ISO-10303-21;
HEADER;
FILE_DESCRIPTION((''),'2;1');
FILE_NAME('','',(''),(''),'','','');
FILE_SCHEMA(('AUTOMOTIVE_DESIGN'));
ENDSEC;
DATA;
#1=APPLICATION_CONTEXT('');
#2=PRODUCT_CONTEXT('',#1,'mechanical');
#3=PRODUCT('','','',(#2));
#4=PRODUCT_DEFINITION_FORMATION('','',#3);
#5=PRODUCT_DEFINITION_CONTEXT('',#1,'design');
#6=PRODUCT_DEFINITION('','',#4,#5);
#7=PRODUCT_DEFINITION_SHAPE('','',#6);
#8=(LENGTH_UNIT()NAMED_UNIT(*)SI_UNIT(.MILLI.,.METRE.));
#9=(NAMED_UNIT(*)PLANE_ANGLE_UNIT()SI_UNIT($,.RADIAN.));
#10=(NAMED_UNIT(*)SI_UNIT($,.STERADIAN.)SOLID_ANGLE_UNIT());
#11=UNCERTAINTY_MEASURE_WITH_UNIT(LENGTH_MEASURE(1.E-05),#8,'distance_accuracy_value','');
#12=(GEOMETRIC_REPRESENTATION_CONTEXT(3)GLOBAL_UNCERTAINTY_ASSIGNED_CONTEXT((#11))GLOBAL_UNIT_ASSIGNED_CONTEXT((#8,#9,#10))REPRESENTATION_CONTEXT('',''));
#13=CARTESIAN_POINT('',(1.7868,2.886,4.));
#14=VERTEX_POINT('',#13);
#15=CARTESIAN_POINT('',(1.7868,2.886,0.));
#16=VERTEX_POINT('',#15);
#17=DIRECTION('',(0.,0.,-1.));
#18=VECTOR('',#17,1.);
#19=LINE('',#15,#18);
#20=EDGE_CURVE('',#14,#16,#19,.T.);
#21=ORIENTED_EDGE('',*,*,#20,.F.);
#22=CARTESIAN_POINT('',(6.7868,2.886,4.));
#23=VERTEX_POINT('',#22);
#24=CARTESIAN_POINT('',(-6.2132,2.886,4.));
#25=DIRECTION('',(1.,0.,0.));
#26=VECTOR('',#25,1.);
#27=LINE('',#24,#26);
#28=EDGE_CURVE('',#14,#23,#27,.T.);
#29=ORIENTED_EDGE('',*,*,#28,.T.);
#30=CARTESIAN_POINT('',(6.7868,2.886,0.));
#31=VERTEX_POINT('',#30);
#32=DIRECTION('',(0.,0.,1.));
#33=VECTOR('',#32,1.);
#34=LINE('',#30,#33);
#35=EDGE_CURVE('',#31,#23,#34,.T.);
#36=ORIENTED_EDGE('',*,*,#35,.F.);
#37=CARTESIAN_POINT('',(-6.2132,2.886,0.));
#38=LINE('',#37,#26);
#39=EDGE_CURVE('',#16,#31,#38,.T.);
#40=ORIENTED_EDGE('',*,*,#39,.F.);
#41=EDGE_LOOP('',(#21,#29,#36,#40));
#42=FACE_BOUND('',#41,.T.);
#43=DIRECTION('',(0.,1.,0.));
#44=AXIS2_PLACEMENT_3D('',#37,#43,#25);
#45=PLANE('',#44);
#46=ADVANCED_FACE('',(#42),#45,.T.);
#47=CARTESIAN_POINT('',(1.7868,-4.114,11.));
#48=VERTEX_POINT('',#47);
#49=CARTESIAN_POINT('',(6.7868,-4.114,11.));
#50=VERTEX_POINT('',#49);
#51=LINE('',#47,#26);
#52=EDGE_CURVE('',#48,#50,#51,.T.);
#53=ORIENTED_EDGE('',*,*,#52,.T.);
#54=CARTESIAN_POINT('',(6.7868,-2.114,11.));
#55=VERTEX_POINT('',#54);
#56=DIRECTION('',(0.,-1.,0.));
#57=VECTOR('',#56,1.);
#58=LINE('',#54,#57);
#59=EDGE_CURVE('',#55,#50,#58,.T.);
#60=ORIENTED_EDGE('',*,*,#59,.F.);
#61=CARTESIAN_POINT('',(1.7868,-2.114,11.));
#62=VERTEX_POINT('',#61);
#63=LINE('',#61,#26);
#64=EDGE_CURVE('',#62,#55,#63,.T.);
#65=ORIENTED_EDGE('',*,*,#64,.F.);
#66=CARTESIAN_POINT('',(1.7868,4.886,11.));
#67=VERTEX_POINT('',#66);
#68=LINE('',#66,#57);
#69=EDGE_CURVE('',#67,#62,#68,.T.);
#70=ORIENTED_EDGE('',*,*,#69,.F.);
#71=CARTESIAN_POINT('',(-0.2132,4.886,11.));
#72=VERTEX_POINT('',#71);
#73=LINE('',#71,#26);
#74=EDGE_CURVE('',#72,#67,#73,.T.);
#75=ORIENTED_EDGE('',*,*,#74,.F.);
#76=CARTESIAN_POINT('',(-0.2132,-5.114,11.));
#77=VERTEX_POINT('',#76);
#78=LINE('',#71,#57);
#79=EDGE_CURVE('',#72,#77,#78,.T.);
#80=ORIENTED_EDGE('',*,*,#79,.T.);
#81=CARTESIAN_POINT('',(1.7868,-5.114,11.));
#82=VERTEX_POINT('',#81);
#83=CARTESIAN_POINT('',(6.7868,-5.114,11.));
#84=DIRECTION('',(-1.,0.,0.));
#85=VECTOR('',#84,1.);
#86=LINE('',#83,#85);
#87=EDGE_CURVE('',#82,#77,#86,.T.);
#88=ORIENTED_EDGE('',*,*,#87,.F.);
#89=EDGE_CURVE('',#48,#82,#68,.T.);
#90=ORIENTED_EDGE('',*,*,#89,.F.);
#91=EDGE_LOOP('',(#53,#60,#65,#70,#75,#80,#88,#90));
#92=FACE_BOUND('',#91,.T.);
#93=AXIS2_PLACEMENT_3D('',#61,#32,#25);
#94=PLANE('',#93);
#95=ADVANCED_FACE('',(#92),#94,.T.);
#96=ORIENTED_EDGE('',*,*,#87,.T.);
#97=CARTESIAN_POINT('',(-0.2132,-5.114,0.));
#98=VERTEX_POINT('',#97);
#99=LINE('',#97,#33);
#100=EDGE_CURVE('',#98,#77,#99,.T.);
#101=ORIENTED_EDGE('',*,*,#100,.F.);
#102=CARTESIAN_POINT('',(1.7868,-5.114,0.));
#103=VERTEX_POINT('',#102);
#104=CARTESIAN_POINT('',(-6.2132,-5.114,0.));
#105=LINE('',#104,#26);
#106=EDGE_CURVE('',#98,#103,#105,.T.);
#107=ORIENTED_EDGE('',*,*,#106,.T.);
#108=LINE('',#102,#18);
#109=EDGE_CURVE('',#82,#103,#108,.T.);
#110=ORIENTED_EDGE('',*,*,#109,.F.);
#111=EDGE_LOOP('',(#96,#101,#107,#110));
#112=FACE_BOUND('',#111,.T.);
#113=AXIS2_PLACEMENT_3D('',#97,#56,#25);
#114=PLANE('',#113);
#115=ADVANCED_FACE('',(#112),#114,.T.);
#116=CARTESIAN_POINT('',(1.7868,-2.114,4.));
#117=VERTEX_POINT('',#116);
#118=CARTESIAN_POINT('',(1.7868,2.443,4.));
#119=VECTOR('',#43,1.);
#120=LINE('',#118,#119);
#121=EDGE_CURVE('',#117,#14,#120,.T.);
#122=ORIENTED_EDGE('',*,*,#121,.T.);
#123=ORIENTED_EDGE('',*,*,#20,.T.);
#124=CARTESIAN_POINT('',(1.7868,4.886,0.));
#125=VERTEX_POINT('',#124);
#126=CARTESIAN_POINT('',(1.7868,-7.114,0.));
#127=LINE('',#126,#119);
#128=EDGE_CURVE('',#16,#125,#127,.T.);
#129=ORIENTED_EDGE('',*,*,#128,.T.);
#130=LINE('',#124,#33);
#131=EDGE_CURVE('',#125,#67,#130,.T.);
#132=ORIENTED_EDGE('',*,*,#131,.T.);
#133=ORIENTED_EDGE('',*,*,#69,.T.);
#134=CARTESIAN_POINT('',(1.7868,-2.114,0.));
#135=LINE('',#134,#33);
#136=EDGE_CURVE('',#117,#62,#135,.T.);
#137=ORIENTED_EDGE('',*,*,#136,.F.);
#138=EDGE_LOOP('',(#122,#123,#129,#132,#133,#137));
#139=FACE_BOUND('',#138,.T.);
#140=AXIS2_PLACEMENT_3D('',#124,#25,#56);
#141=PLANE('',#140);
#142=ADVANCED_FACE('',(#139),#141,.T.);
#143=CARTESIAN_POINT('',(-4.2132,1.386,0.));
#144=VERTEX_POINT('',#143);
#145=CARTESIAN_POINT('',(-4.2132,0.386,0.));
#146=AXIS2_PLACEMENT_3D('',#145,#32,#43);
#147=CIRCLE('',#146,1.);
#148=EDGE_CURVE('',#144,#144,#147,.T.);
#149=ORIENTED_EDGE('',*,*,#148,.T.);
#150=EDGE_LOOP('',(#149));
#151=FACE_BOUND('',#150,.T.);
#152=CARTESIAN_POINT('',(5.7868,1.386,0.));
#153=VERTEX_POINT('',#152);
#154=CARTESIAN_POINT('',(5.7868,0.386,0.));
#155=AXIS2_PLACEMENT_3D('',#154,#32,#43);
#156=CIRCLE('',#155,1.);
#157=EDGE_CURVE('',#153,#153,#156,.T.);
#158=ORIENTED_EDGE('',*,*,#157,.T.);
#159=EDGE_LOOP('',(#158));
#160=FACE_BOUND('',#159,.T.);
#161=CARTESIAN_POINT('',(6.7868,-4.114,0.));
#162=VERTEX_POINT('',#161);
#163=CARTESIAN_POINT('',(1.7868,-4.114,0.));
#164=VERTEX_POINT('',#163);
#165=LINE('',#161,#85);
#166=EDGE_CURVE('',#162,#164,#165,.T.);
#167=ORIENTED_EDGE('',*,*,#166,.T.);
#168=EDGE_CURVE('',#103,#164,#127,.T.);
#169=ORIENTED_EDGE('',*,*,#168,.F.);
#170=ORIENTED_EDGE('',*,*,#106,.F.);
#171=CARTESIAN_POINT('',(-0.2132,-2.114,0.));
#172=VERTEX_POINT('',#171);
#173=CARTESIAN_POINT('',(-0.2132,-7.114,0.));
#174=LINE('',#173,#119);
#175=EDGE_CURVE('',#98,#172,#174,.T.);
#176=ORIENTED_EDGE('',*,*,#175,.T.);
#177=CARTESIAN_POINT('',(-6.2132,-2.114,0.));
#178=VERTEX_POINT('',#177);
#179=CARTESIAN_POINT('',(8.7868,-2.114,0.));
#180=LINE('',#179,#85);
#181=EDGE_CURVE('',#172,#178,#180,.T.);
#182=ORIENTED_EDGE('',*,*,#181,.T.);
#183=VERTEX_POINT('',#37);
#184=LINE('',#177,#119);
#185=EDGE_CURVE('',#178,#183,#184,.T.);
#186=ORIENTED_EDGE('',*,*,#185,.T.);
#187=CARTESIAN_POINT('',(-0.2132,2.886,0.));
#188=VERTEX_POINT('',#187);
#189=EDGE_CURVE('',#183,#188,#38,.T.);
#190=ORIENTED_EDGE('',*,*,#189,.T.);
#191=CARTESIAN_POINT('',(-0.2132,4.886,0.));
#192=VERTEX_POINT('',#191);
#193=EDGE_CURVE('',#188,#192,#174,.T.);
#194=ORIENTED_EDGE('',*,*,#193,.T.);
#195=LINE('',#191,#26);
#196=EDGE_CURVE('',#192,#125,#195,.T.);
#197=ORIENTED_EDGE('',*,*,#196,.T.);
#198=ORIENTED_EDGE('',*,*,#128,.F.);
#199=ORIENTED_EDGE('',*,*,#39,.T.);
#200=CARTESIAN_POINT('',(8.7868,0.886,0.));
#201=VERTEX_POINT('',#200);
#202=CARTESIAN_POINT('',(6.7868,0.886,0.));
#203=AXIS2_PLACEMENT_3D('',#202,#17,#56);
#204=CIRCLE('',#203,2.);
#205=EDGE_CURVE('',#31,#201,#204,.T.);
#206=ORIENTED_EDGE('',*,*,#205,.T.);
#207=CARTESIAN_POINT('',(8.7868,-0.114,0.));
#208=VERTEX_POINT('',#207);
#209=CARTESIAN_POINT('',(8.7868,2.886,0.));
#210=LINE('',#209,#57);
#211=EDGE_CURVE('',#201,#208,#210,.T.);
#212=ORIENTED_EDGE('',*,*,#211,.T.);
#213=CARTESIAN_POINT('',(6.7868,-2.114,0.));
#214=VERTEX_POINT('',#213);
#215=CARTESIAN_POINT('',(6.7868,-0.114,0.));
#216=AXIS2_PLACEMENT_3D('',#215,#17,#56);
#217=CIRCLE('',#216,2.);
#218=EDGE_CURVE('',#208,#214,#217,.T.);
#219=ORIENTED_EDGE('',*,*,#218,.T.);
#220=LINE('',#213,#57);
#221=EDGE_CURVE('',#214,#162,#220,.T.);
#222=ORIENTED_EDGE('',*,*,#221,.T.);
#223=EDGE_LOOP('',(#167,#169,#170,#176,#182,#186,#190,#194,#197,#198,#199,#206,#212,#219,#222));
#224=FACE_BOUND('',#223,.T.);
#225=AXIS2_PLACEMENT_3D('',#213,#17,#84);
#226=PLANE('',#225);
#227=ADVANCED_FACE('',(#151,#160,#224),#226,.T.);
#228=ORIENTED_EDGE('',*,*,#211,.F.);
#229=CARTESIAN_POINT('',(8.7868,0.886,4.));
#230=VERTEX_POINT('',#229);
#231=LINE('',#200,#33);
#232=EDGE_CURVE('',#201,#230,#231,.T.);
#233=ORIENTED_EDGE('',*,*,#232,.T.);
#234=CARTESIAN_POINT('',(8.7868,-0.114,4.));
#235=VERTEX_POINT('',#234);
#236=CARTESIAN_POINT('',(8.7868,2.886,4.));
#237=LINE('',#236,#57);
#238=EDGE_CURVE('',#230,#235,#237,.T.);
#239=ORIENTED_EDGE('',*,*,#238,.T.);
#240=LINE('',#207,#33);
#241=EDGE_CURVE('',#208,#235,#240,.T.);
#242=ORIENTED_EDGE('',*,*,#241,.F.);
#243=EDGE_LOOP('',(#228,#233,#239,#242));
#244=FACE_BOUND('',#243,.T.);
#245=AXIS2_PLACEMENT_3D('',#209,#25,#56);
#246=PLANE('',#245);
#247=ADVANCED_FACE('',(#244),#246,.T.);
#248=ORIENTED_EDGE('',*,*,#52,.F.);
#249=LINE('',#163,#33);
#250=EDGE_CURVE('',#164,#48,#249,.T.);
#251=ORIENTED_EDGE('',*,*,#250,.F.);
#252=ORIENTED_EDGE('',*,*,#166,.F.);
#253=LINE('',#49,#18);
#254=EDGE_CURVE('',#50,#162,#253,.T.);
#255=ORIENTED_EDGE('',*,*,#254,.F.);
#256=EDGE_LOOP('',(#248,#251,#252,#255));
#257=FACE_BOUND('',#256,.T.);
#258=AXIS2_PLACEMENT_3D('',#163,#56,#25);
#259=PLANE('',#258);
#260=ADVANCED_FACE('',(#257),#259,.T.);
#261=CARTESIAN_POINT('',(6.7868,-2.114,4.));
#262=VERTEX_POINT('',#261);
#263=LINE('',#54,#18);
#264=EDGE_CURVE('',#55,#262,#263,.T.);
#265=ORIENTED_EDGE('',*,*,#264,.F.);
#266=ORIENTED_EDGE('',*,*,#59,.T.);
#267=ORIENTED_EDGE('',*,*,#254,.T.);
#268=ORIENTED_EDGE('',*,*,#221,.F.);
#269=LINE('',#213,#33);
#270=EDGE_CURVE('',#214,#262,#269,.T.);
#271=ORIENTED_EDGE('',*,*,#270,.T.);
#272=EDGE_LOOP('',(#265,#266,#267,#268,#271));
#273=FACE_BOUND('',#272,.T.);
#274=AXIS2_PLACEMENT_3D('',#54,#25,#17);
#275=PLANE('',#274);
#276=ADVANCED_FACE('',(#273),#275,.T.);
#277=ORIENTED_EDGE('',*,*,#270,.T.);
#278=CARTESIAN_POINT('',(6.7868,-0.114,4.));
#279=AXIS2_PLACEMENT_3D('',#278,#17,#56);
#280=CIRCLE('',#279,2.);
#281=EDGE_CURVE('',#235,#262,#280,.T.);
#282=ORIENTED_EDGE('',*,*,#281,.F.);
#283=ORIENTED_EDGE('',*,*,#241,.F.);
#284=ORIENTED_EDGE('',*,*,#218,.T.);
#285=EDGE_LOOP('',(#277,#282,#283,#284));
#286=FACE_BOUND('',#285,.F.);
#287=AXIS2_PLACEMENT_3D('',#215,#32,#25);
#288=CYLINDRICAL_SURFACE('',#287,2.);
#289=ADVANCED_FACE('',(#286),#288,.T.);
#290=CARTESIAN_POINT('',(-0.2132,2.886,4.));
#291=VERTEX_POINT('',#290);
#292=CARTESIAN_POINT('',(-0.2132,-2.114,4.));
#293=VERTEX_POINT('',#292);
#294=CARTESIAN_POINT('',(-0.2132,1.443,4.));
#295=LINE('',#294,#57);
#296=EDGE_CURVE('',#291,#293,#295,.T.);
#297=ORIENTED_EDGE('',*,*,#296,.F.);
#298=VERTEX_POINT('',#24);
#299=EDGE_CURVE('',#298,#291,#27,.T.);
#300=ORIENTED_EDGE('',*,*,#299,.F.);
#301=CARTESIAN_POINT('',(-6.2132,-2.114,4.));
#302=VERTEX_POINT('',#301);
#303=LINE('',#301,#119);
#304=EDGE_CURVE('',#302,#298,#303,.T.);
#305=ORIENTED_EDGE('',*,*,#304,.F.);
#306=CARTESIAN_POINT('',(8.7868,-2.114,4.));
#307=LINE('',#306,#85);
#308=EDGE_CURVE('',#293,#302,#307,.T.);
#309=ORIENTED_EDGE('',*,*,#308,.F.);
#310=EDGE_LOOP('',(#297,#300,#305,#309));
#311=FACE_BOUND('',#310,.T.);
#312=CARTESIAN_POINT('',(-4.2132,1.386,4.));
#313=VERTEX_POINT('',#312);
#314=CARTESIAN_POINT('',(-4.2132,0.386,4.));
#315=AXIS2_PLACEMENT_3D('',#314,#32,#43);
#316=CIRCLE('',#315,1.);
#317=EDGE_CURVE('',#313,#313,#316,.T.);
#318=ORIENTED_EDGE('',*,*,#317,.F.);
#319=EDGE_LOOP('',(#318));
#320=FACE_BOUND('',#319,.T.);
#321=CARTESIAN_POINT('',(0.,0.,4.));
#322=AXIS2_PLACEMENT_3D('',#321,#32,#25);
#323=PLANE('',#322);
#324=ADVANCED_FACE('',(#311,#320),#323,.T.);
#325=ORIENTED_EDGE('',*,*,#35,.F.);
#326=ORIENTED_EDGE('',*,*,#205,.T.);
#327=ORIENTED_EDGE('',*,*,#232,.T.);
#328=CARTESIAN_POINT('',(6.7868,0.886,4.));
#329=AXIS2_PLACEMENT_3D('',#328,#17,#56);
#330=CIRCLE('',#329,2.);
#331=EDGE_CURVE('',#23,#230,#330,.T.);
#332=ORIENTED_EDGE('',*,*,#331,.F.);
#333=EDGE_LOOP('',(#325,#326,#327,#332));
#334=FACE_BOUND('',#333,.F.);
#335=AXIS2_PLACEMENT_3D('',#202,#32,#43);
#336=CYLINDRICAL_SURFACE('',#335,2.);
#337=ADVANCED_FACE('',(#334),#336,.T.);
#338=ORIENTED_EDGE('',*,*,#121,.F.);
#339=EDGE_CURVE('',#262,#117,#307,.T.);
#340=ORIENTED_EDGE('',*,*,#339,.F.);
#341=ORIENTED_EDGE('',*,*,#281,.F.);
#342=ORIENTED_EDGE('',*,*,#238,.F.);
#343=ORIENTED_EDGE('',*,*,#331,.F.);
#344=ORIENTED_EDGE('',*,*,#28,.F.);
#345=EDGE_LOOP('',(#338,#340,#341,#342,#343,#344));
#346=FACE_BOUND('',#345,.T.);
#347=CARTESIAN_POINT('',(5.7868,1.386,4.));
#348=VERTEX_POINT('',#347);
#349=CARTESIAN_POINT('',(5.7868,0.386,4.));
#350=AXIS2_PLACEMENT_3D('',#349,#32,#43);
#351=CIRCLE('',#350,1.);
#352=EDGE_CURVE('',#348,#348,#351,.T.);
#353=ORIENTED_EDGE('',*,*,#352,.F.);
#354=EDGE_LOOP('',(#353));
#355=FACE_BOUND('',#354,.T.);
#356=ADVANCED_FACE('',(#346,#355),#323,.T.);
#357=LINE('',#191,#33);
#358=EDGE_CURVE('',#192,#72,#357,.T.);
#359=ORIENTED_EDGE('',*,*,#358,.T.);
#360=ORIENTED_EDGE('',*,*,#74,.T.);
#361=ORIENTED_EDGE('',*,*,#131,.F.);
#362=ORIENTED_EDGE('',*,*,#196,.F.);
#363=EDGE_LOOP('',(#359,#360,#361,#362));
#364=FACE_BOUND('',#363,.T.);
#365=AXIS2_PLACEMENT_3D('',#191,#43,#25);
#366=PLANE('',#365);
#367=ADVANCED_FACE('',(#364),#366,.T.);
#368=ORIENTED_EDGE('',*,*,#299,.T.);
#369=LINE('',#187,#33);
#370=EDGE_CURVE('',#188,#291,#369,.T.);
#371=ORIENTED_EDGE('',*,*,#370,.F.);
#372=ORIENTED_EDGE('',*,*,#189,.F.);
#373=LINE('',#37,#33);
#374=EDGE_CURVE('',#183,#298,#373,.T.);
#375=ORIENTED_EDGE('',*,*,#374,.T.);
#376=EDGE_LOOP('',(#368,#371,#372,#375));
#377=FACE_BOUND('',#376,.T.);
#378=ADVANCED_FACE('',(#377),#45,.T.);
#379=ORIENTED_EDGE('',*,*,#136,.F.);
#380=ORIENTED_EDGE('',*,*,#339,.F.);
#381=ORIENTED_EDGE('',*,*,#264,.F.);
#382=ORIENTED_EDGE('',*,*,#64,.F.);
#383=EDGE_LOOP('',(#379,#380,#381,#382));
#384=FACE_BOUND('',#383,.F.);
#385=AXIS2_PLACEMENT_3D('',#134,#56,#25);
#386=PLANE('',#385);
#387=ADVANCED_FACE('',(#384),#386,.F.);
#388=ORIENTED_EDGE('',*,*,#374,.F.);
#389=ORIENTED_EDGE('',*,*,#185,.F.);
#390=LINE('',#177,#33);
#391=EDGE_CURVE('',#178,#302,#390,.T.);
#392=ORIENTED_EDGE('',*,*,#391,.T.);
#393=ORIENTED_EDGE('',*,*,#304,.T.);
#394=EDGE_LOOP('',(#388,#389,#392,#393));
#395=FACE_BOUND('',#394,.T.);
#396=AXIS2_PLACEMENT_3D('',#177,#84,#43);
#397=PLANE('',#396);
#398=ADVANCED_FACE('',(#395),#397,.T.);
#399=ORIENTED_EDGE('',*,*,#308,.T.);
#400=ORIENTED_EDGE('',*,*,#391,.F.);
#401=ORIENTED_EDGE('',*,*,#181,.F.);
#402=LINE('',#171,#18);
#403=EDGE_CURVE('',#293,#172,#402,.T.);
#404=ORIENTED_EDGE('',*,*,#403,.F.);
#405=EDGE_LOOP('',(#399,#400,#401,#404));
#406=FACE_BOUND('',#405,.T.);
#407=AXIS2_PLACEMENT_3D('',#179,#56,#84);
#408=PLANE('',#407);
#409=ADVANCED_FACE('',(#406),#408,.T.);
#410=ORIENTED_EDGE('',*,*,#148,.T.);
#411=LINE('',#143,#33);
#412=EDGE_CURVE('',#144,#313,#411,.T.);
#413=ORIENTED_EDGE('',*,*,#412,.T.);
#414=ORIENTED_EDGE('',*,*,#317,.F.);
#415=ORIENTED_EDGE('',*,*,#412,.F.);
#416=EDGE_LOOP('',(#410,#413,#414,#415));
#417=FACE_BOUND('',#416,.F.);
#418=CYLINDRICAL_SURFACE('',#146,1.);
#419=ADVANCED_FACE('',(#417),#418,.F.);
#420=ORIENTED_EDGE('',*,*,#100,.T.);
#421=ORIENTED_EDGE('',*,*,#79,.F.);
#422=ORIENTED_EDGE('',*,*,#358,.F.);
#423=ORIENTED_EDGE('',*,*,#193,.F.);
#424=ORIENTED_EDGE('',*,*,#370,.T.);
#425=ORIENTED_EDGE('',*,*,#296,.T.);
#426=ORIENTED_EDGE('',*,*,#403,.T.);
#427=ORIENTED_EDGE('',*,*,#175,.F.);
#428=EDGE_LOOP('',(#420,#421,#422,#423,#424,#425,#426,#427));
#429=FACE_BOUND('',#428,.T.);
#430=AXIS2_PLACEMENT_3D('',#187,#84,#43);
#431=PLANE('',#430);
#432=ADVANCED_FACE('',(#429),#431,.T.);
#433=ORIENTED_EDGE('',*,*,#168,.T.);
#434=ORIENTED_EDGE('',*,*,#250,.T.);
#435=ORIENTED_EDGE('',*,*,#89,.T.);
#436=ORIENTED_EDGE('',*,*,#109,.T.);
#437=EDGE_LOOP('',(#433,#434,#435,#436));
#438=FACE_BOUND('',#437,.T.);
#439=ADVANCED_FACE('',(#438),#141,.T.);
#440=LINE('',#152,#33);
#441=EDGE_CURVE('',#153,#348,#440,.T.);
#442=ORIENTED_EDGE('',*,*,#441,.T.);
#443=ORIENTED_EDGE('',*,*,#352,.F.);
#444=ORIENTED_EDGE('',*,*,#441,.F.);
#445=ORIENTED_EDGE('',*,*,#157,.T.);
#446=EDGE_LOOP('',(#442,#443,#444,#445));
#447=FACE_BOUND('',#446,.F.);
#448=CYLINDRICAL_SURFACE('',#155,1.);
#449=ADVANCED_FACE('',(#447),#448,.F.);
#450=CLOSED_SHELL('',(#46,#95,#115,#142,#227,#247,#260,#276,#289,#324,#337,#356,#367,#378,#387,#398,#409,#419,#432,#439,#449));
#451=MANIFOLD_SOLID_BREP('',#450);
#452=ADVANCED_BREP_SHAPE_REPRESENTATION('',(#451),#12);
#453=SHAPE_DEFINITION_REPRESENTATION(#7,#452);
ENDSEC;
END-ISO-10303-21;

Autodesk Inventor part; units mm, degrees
ref_plane "YZ Plane" through (0, 0, 0) normal (1, 0, 0) x (0, 1, 0)
ref_plane "XZ Plane" through (0, 0, 0) normal (0, 1, 0) x (-1, 0, 0)
ref_plane "XY Plane" through (0, 0, 0) normal (0, 0, 1) x (1, 0, 0)
sketch "Sketch1" plane through (0, 0, 0) normal (0, 0, 1) x (1, 0, 0)
  line L0 (-6.2132, 2.886) -> (8.7868, 2.886)
  line L1 (8.7868, 2.886) -> (8.7868, -2.114)
  line L2 (8.7868, -2.114) -> (-6.2132, -2.114)
  line L3 (-6.2132, -2.114) -> (-6.2132, 2.886)
  point P0 (0, 0)
  dimension "d0" = 15
  dimension "d1" = 5
extrude "Extrusion1" add sketch "Sketch1" along normal blind 4
sketch "Sketch2" plane through (0, 0, 0) normal (0, 0, -1) x (-1, 0, 0)
  line L0 (-8.7868, 2.886) -> (6.2132, 2.886) projected
  line L1 (6.2132, 2.886) -> (6.2132, -2.114) projected
  point P0 (0, 0)
  point P1 (4.2132, 0.386)
  point P2 (-5.7868, 0.386)
  dimension "d4" = 2.5
  dimension "d5" = 2.5
  dimension "d6" = 2
  dimension "d7" = 10
hole "Hole1" at (-4.2132, 0.386, 0) at (5.7868, 0.386, 0) direction (0, 0, 1) diameter 2 depth 4 tip angle 118
sketch "Sketch3" plane through (0, 0, 0) normal (0, 0, -1) x (-1, 0, 0)
  line L0 (-8.7868, 2.886) -> (6.2132, 2.886) projected
  line L1 (0.2132, 2.886) -> (-1.7868, 2.886)
  line L2 (-1.7868, 2.886) -> (-1.7868, -7.114)
  line L3 (-1.7868, -7.114) -> (0.2132, -7.114)
  line L4 (0.2132, -7.114) -> (0.2132, 2.886)
  line L5 (6.2132, 2.886) -> (6.2132, -2.114) projected
  line L6 (-1.7868, 2.886) -> (0.2132, 2.886)
  line L7 (0.2132, 2.886) -> (0.2132, 4.886)
  line L8 (0.2132, 4.886) -> (-1.7868, 4.886)
  line L9 (-1.7868, 4.886) -> (-1.7868, 2.886)
  point P0 (0, 0)
  dimension "d15" = 6
  dimension "d16" = 2
  dimension "d17" = 12
  dimension "d18" = 2
extrude "Extrusion2" add sketch "Sketch3" against normal blind 11
fillet "Fillet1" radius 2 2 edges at (8.7868, 2.886, 2) (8.7868, -2.114, 2)
sketch "Sketch4" plane through (1.7868, -2.114, 0) normal (0, -1, 0) x (1, 0, 0)
  line L0 (0, 0) -> (0, 11) projected
  line L1 (7, 0) -> (5, 0) projected
  line L2 (0, 11) -> (5, 11)
  line L3 (5, 11) -> (5, 0)
  line L4 (5, 0) -> (0, 0)
  line L5 (0, 0) -> (0, 11)
  point P0 (-1.7868, 0)
extrude "Extrusion3" add sketch "Sketch4" along normal blind 2
sketch "Sketch5" plane through (-0.2132, -7.114, 0) normal (0, -1, 0) x (1, 0, 0)
  line L0 (-6, 0) -> (-6, 4) projected
  line L1 (7, 11) -> (2, 11) projected
  line L2 (-6, 0) -> (7, 0)
  line L3 (7, 0) -> (7, 11)
  line L4 (7, 11) -> (-6, 11)
  line L5 (-6, 11) -> (-6, 0)
  point P0 (0.2132, 0)
  point P1 (2, 11)
extrude "Extrusion4" cut sketch "Sketch5" against normal blind 2
properties part number "oled_support"
